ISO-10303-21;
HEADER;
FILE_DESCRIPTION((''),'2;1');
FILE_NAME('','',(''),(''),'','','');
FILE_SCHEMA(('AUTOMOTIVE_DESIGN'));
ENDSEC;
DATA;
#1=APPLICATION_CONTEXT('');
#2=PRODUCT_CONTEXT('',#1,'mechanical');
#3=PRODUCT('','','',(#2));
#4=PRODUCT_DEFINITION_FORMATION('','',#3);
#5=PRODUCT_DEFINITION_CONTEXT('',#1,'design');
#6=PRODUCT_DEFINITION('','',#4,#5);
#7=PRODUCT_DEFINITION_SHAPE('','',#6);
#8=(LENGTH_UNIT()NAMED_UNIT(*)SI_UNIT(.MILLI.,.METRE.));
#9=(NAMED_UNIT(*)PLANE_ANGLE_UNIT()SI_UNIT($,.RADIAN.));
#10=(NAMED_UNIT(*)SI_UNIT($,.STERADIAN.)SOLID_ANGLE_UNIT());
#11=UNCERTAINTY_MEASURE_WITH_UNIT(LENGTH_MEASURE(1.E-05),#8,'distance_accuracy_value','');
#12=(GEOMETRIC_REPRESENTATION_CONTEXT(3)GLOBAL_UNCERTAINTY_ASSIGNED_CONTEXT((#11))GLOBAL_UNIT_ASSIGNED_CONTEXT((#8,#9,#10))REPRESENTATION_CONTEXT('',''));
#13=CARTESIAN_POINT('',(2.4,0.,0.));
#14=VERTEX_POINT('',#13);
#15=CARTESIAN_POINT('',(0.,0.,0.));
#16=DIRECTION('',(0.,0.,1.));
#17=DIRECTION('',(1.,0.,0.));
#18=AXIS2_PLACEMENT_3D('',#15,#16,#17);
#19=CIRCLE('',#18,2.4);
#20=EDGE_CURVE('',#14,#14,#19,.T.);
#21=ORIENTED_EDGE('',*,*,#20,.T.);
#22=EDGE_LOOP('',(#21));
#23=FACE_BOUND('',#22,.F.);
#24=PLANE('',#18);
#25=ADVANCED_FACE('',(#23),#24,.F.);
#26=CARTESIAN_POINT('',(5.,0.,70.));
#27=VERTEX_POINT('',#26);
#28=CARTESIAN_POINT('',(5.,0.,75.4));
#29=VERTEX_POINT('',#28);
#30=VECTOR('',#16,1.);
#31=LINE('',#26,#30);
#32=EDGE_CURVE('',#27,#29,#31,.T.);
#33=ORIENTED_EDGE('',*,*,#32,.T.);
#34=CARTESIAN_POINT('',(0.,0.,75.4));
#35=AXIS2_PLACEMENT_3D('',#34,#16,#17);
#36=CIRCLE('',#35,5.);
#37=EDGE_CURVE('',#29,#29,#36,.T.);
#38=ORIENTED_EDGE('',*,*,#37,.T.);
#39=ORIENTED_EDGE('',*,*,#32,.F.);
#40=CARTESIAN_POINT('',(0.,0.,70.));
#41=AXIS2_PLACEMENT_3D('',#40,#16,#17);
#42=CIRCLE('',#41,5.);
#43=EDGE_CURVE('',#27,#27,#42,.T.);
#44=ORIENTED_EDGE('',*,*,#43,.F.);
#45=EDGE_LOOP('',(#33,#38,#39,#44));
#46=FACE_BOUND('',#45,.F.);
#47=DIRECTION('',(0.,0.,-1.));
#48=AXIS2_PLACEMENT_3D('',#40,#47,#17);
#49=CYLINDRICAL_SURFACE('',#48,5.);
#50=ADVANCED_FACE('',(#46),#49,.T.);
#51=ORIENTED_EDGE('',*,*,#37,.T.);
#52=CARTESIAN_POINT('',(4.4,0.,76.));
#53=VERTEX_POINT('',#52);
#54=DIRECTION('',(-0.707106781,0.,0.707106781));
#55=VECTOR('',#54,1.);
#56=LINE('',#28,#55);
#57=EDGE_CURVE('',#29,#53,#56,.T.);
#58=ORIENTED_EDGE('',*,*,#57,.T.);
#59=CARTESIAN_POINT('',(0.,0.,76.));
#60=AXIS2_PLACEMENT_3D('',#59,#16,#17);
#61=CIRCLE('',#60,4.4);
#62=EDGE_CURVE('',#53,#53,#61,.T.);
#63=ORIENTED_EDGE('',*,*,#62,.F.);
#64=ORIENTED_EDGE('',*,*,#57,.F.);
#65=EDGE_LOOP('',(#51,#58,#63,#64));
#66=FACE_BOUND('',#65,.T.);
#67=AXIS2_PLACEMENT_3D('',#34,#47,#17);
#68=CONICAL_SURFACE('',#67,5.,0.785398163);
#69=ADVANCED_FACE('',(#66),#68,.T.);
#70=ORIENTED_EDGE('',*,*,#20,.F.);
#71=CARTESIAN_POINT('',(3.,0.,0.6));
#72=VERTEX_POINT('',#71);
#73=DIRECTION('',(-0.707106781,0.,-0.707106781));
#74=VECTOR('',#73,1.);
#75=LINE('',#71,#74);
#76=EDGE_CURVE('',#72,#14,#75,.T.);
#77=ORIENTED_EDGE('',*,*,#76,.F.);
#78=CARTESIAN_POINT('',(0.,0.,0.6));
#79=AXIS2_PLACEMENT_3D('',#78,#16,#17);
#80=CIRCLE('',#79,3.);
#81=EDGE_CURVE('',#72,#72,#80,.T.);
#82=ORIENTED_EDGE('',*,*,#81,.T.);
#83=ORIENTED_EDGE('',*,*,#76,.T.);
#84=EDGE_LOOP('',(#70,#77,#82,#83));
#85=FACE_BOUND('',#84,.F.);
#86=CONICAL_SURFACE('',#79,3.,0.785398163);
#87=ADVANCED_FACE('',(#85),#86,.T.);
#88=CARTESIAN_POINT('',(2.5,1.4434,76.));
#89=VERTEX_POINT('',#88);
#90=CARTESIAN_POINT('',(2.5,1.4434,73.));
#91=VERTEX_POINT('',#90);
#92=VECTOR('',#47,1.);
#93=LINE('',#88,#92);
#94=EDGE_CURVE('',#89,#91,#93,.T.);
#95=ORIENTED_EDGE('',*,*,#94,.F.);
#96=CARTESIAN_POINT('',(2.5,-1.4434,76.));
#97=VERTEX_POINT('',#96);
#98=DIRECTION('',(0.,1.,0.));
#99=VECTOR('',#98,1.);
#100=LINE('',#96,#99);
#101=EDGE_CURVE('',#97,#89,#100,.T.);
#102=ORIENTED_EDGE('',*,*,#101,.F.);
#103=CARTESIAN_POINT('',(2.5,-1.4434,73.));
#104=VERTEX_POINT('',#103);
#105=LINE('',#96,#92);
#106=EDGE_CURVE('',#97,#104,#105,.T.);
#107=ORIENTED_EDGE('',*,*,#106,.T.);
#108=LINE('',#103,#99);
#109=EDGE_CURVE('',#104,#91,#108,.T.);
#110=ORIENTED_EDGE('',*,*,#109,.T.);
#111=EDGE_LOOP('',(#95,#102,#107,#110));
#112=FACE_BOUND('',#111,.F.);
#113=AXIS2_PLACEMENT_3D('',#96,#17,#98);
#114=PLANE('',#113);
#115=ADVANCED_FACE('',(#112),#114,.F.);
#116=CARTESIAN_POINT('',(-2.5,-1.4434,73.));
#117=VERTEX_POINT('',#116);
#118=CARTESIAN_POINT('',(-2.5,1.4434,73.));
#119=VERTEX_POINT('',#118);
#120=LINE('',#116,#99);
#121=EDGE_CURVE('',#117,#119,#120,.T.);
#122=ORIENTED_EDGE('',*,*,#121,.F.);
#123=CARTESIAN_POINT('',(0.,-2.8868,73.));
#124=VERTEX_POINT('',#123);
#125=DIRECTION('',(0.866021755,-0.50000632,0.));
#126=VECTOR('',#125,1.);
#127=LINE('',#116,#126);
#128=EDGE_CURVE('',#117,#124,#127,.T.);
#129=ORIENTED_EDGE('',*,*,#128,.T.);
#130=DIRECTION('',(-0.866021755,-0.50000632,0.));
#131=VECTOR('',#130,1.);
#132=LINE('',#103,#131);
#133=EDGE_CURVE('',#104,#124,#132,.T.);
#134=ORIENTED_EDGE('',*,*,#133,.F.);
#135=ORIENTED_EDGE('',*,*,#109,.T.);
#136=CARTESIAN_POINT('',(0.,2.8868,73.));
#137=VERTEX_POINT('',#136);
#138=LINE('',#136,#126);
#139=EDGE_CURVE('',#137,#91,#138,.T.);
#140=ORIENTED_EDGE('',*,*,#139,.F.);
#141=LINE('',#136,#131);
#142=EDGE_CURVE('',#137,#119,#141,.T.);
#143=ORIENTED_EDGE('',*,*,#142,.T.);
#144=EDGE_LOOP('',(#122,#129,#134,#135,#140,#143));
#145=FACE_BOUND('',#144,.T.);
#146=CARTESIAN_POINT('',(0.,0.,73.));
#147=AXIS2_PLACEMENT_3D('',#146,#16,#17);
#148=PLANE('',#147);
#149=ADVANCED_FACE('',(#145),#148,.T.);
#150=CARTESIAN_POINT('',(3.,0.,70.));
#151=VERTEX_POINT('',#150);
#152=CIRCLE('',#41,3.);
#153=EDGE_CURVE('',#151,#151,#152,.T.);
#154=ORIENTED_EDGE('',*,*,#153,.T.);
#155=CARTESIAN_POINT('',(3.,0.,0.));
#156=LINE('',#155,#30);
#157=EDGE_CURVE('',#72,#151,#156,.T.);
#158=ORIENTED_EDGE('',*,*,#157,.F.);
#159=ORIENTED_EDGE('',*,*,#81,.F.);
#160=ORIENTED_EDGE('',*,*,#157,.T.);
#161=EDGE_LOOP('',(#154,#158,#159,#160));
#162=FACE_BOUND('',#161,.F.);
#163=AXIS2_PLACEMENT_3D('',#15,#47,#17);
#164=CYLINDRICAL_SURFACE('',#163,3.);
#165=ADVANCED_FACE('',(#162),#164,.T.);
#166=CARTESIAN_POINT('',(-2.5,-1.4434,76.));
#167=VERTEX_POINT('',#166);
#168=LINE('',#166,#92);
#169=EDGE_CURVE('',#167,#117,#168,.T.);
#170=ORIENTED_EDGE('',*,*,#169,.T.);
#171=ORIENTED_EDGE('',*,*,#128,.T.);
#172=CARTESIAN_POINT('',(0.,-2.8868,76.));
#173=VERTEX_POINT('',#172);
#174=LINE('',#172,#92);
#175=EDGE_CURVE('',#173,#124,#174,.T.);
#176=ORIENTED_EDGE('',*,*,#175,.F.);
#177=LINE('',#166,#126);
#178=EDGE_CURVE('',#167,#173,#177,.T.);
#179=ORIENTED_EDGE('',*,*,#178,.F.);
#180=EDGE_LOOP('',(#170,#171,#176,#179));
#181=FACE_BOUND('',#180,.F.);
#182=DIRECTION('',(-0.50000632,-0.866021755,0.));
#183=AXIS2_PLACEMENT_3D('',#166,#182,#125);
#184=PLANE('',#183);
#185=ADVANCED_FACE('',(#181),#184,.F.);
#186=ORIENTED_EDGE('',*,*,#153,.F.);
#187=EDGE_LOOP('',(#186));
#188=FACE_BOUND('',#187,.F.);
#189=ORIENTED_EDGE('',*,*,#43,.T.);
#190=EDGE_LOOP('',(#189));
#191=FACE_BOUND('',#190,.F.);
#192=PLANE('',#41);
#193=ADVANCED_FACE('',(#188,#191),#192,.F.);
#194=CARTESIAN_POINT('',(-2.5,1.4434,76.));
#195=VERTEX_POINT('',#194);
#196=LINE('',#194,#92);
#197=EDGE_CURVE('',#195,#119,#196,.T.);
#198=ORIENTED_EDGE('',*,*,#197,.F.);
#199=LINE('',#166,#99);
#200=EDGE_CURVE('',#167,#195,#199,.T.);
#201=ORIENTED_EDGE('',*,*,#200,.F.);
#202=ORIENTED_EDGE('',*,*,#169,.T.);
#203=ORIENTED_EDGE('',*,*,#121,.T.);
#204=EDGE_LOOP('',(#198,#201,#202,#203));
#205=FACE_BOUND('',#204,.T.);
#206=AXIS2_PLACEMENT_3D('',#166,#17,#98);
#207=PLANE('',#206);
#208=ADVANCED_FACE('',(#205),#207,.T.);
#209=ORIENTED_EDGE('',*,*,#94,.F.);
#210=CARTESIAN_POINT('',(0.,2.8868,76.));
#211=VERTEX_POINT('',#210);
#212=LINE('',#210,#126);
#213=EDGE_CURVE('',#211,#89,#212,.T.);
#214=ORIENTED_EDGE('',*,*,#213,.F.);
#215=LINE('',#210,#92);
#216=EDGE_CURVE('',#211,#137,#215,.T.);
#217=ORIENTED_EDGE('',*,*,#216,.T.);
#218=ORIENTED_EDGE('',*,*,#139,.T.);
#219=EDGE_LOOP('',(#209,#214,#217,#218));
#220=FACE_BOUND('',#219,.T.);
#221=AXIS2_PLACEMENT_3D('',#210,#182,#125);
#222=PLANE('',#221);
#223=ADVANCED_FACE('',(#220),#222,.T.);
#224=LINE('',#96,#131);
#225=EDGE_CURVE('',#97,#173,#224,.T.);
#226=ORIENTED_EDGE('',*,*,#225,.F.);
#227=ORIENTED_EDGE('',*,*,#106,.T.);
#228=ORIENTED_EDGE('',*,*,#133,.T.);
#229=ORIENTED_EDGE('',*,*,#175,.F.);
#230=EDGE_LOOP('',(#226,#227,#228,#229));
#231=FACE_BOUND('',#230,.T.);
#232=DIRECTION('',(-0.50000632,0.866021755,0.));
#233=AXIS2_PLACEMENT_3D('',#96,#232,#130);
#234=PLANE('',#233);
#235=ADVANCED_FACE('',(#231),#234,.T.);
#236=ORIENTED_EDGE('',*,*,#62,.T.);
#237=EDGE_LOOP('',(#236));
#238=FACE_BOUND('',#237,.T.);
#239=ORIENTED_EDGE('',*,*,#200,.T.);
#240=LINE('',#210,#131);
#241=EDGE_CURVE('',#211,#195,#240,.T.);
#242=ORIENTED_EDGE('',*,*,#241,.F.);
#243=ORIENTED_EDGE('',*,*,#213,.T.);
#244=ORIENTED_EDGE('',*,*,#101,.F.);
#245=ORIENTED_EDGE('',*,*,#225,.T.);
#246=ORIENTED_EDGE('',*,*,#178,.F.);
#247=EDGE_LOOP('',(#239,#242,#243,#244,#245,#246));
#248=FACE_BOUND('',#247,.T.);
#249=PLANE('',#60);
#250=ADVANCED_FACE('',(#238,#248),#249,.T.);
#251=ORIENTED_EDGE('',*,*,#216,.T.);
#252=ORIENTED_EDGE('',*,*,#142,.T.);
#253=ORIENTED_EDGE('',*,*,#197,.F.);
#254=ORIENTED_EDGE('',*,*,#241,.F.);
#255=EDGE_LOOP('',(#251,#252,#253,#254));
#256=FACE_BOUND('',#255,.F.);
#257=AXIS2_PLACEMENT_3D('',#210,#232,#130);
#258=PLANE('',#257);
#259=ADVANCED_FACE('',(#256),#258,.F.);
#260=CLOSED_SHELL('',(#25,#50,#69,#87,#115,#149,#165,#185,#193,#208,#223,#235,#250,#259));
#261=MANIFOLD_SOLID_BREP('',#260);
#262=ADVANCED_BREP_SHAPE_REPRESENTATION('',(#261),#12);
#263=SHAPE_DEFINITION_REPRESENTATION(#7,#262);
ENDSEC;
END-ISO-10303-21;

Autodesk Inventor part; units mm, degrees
ref_plane "YZ Plane" through (0, 0, 0) normal (1, 0, 0) x (0, 1, 0)
ref_plane "XZ Plane" through (0, 0, 0) normal (0, 1, 0) x (-1, 0, 0)
ref_plane "XY Plane" through (0, 0, 0) normal (0, 0, 1) x (1, 0, 0)
sketch "Sketch1" plane through (0, 0, 0) normal (0, 0, 1) x (1, 0, 0)
  circle A0 centre (0, 0) radius 3
  dimension "Diameter" = 6
extrude "Extrusion1" add sketch "Sketch1" along normal blind 70
sketch "Sketch2" plane through (0, 0, 70) normal (0, 0, 1) x (1, 0, 0)
  circle A0 centre (0, 0) radius 3 projected
  circle A1 centre (0, 0) radius 5
  dimension "Head_Diameter" = 10
extrude "Extrusion2" add sketch "Sketch2" along normal blind 6 contours A0 | A1
sketch "Sketch3" plane through (0, 0, 76) normal (0, 0, 1) x (1, 0, 0)
  circle A0 centre (0, 0) radius 5 projected
  circle A1 centre (0, 0) radius 2.8868 construction
  line L0 (0, 2.8868) -> (2.5, 1.4434)
  line L1 (2.5, -1.4434) -> (2.5, 1.4434)
  line L2 (0, 2.8868) -> (-2.5, 1.4434)
  line L3 (-2.5, -1.4434) -> (-2.5, 1.4434)
  line L4 (-2.5, -1.4434) -> (0, -2.8868)
  line L5 (2.5, -1.4434) -> (0, -2.8868)
  dimension "Hex_Width" = 5
extrude "Extrusion3" cut sketch "Sketch3" against normal blind 3 contours L0 L1 L5 L4 L3 L2
thread "Thread1" size "M6x1" class "4g6g" standard "ANSI Metric M Profile" length 24
chamfer "Chamfer1" distance 0.6 angle 45 2 edges at (-5, 0, 76) (-3, 0, 0)
equation "\"d9\" = ThreadLength"
equation "\"d12\" = Chamfer"
equation "\"ThreadLength\" = 24"
equation "\"Chamfer\" = 0.6"
properties part number "SCREW, SOCKET HD, P, 12.9, M6X1.0X70MM"
